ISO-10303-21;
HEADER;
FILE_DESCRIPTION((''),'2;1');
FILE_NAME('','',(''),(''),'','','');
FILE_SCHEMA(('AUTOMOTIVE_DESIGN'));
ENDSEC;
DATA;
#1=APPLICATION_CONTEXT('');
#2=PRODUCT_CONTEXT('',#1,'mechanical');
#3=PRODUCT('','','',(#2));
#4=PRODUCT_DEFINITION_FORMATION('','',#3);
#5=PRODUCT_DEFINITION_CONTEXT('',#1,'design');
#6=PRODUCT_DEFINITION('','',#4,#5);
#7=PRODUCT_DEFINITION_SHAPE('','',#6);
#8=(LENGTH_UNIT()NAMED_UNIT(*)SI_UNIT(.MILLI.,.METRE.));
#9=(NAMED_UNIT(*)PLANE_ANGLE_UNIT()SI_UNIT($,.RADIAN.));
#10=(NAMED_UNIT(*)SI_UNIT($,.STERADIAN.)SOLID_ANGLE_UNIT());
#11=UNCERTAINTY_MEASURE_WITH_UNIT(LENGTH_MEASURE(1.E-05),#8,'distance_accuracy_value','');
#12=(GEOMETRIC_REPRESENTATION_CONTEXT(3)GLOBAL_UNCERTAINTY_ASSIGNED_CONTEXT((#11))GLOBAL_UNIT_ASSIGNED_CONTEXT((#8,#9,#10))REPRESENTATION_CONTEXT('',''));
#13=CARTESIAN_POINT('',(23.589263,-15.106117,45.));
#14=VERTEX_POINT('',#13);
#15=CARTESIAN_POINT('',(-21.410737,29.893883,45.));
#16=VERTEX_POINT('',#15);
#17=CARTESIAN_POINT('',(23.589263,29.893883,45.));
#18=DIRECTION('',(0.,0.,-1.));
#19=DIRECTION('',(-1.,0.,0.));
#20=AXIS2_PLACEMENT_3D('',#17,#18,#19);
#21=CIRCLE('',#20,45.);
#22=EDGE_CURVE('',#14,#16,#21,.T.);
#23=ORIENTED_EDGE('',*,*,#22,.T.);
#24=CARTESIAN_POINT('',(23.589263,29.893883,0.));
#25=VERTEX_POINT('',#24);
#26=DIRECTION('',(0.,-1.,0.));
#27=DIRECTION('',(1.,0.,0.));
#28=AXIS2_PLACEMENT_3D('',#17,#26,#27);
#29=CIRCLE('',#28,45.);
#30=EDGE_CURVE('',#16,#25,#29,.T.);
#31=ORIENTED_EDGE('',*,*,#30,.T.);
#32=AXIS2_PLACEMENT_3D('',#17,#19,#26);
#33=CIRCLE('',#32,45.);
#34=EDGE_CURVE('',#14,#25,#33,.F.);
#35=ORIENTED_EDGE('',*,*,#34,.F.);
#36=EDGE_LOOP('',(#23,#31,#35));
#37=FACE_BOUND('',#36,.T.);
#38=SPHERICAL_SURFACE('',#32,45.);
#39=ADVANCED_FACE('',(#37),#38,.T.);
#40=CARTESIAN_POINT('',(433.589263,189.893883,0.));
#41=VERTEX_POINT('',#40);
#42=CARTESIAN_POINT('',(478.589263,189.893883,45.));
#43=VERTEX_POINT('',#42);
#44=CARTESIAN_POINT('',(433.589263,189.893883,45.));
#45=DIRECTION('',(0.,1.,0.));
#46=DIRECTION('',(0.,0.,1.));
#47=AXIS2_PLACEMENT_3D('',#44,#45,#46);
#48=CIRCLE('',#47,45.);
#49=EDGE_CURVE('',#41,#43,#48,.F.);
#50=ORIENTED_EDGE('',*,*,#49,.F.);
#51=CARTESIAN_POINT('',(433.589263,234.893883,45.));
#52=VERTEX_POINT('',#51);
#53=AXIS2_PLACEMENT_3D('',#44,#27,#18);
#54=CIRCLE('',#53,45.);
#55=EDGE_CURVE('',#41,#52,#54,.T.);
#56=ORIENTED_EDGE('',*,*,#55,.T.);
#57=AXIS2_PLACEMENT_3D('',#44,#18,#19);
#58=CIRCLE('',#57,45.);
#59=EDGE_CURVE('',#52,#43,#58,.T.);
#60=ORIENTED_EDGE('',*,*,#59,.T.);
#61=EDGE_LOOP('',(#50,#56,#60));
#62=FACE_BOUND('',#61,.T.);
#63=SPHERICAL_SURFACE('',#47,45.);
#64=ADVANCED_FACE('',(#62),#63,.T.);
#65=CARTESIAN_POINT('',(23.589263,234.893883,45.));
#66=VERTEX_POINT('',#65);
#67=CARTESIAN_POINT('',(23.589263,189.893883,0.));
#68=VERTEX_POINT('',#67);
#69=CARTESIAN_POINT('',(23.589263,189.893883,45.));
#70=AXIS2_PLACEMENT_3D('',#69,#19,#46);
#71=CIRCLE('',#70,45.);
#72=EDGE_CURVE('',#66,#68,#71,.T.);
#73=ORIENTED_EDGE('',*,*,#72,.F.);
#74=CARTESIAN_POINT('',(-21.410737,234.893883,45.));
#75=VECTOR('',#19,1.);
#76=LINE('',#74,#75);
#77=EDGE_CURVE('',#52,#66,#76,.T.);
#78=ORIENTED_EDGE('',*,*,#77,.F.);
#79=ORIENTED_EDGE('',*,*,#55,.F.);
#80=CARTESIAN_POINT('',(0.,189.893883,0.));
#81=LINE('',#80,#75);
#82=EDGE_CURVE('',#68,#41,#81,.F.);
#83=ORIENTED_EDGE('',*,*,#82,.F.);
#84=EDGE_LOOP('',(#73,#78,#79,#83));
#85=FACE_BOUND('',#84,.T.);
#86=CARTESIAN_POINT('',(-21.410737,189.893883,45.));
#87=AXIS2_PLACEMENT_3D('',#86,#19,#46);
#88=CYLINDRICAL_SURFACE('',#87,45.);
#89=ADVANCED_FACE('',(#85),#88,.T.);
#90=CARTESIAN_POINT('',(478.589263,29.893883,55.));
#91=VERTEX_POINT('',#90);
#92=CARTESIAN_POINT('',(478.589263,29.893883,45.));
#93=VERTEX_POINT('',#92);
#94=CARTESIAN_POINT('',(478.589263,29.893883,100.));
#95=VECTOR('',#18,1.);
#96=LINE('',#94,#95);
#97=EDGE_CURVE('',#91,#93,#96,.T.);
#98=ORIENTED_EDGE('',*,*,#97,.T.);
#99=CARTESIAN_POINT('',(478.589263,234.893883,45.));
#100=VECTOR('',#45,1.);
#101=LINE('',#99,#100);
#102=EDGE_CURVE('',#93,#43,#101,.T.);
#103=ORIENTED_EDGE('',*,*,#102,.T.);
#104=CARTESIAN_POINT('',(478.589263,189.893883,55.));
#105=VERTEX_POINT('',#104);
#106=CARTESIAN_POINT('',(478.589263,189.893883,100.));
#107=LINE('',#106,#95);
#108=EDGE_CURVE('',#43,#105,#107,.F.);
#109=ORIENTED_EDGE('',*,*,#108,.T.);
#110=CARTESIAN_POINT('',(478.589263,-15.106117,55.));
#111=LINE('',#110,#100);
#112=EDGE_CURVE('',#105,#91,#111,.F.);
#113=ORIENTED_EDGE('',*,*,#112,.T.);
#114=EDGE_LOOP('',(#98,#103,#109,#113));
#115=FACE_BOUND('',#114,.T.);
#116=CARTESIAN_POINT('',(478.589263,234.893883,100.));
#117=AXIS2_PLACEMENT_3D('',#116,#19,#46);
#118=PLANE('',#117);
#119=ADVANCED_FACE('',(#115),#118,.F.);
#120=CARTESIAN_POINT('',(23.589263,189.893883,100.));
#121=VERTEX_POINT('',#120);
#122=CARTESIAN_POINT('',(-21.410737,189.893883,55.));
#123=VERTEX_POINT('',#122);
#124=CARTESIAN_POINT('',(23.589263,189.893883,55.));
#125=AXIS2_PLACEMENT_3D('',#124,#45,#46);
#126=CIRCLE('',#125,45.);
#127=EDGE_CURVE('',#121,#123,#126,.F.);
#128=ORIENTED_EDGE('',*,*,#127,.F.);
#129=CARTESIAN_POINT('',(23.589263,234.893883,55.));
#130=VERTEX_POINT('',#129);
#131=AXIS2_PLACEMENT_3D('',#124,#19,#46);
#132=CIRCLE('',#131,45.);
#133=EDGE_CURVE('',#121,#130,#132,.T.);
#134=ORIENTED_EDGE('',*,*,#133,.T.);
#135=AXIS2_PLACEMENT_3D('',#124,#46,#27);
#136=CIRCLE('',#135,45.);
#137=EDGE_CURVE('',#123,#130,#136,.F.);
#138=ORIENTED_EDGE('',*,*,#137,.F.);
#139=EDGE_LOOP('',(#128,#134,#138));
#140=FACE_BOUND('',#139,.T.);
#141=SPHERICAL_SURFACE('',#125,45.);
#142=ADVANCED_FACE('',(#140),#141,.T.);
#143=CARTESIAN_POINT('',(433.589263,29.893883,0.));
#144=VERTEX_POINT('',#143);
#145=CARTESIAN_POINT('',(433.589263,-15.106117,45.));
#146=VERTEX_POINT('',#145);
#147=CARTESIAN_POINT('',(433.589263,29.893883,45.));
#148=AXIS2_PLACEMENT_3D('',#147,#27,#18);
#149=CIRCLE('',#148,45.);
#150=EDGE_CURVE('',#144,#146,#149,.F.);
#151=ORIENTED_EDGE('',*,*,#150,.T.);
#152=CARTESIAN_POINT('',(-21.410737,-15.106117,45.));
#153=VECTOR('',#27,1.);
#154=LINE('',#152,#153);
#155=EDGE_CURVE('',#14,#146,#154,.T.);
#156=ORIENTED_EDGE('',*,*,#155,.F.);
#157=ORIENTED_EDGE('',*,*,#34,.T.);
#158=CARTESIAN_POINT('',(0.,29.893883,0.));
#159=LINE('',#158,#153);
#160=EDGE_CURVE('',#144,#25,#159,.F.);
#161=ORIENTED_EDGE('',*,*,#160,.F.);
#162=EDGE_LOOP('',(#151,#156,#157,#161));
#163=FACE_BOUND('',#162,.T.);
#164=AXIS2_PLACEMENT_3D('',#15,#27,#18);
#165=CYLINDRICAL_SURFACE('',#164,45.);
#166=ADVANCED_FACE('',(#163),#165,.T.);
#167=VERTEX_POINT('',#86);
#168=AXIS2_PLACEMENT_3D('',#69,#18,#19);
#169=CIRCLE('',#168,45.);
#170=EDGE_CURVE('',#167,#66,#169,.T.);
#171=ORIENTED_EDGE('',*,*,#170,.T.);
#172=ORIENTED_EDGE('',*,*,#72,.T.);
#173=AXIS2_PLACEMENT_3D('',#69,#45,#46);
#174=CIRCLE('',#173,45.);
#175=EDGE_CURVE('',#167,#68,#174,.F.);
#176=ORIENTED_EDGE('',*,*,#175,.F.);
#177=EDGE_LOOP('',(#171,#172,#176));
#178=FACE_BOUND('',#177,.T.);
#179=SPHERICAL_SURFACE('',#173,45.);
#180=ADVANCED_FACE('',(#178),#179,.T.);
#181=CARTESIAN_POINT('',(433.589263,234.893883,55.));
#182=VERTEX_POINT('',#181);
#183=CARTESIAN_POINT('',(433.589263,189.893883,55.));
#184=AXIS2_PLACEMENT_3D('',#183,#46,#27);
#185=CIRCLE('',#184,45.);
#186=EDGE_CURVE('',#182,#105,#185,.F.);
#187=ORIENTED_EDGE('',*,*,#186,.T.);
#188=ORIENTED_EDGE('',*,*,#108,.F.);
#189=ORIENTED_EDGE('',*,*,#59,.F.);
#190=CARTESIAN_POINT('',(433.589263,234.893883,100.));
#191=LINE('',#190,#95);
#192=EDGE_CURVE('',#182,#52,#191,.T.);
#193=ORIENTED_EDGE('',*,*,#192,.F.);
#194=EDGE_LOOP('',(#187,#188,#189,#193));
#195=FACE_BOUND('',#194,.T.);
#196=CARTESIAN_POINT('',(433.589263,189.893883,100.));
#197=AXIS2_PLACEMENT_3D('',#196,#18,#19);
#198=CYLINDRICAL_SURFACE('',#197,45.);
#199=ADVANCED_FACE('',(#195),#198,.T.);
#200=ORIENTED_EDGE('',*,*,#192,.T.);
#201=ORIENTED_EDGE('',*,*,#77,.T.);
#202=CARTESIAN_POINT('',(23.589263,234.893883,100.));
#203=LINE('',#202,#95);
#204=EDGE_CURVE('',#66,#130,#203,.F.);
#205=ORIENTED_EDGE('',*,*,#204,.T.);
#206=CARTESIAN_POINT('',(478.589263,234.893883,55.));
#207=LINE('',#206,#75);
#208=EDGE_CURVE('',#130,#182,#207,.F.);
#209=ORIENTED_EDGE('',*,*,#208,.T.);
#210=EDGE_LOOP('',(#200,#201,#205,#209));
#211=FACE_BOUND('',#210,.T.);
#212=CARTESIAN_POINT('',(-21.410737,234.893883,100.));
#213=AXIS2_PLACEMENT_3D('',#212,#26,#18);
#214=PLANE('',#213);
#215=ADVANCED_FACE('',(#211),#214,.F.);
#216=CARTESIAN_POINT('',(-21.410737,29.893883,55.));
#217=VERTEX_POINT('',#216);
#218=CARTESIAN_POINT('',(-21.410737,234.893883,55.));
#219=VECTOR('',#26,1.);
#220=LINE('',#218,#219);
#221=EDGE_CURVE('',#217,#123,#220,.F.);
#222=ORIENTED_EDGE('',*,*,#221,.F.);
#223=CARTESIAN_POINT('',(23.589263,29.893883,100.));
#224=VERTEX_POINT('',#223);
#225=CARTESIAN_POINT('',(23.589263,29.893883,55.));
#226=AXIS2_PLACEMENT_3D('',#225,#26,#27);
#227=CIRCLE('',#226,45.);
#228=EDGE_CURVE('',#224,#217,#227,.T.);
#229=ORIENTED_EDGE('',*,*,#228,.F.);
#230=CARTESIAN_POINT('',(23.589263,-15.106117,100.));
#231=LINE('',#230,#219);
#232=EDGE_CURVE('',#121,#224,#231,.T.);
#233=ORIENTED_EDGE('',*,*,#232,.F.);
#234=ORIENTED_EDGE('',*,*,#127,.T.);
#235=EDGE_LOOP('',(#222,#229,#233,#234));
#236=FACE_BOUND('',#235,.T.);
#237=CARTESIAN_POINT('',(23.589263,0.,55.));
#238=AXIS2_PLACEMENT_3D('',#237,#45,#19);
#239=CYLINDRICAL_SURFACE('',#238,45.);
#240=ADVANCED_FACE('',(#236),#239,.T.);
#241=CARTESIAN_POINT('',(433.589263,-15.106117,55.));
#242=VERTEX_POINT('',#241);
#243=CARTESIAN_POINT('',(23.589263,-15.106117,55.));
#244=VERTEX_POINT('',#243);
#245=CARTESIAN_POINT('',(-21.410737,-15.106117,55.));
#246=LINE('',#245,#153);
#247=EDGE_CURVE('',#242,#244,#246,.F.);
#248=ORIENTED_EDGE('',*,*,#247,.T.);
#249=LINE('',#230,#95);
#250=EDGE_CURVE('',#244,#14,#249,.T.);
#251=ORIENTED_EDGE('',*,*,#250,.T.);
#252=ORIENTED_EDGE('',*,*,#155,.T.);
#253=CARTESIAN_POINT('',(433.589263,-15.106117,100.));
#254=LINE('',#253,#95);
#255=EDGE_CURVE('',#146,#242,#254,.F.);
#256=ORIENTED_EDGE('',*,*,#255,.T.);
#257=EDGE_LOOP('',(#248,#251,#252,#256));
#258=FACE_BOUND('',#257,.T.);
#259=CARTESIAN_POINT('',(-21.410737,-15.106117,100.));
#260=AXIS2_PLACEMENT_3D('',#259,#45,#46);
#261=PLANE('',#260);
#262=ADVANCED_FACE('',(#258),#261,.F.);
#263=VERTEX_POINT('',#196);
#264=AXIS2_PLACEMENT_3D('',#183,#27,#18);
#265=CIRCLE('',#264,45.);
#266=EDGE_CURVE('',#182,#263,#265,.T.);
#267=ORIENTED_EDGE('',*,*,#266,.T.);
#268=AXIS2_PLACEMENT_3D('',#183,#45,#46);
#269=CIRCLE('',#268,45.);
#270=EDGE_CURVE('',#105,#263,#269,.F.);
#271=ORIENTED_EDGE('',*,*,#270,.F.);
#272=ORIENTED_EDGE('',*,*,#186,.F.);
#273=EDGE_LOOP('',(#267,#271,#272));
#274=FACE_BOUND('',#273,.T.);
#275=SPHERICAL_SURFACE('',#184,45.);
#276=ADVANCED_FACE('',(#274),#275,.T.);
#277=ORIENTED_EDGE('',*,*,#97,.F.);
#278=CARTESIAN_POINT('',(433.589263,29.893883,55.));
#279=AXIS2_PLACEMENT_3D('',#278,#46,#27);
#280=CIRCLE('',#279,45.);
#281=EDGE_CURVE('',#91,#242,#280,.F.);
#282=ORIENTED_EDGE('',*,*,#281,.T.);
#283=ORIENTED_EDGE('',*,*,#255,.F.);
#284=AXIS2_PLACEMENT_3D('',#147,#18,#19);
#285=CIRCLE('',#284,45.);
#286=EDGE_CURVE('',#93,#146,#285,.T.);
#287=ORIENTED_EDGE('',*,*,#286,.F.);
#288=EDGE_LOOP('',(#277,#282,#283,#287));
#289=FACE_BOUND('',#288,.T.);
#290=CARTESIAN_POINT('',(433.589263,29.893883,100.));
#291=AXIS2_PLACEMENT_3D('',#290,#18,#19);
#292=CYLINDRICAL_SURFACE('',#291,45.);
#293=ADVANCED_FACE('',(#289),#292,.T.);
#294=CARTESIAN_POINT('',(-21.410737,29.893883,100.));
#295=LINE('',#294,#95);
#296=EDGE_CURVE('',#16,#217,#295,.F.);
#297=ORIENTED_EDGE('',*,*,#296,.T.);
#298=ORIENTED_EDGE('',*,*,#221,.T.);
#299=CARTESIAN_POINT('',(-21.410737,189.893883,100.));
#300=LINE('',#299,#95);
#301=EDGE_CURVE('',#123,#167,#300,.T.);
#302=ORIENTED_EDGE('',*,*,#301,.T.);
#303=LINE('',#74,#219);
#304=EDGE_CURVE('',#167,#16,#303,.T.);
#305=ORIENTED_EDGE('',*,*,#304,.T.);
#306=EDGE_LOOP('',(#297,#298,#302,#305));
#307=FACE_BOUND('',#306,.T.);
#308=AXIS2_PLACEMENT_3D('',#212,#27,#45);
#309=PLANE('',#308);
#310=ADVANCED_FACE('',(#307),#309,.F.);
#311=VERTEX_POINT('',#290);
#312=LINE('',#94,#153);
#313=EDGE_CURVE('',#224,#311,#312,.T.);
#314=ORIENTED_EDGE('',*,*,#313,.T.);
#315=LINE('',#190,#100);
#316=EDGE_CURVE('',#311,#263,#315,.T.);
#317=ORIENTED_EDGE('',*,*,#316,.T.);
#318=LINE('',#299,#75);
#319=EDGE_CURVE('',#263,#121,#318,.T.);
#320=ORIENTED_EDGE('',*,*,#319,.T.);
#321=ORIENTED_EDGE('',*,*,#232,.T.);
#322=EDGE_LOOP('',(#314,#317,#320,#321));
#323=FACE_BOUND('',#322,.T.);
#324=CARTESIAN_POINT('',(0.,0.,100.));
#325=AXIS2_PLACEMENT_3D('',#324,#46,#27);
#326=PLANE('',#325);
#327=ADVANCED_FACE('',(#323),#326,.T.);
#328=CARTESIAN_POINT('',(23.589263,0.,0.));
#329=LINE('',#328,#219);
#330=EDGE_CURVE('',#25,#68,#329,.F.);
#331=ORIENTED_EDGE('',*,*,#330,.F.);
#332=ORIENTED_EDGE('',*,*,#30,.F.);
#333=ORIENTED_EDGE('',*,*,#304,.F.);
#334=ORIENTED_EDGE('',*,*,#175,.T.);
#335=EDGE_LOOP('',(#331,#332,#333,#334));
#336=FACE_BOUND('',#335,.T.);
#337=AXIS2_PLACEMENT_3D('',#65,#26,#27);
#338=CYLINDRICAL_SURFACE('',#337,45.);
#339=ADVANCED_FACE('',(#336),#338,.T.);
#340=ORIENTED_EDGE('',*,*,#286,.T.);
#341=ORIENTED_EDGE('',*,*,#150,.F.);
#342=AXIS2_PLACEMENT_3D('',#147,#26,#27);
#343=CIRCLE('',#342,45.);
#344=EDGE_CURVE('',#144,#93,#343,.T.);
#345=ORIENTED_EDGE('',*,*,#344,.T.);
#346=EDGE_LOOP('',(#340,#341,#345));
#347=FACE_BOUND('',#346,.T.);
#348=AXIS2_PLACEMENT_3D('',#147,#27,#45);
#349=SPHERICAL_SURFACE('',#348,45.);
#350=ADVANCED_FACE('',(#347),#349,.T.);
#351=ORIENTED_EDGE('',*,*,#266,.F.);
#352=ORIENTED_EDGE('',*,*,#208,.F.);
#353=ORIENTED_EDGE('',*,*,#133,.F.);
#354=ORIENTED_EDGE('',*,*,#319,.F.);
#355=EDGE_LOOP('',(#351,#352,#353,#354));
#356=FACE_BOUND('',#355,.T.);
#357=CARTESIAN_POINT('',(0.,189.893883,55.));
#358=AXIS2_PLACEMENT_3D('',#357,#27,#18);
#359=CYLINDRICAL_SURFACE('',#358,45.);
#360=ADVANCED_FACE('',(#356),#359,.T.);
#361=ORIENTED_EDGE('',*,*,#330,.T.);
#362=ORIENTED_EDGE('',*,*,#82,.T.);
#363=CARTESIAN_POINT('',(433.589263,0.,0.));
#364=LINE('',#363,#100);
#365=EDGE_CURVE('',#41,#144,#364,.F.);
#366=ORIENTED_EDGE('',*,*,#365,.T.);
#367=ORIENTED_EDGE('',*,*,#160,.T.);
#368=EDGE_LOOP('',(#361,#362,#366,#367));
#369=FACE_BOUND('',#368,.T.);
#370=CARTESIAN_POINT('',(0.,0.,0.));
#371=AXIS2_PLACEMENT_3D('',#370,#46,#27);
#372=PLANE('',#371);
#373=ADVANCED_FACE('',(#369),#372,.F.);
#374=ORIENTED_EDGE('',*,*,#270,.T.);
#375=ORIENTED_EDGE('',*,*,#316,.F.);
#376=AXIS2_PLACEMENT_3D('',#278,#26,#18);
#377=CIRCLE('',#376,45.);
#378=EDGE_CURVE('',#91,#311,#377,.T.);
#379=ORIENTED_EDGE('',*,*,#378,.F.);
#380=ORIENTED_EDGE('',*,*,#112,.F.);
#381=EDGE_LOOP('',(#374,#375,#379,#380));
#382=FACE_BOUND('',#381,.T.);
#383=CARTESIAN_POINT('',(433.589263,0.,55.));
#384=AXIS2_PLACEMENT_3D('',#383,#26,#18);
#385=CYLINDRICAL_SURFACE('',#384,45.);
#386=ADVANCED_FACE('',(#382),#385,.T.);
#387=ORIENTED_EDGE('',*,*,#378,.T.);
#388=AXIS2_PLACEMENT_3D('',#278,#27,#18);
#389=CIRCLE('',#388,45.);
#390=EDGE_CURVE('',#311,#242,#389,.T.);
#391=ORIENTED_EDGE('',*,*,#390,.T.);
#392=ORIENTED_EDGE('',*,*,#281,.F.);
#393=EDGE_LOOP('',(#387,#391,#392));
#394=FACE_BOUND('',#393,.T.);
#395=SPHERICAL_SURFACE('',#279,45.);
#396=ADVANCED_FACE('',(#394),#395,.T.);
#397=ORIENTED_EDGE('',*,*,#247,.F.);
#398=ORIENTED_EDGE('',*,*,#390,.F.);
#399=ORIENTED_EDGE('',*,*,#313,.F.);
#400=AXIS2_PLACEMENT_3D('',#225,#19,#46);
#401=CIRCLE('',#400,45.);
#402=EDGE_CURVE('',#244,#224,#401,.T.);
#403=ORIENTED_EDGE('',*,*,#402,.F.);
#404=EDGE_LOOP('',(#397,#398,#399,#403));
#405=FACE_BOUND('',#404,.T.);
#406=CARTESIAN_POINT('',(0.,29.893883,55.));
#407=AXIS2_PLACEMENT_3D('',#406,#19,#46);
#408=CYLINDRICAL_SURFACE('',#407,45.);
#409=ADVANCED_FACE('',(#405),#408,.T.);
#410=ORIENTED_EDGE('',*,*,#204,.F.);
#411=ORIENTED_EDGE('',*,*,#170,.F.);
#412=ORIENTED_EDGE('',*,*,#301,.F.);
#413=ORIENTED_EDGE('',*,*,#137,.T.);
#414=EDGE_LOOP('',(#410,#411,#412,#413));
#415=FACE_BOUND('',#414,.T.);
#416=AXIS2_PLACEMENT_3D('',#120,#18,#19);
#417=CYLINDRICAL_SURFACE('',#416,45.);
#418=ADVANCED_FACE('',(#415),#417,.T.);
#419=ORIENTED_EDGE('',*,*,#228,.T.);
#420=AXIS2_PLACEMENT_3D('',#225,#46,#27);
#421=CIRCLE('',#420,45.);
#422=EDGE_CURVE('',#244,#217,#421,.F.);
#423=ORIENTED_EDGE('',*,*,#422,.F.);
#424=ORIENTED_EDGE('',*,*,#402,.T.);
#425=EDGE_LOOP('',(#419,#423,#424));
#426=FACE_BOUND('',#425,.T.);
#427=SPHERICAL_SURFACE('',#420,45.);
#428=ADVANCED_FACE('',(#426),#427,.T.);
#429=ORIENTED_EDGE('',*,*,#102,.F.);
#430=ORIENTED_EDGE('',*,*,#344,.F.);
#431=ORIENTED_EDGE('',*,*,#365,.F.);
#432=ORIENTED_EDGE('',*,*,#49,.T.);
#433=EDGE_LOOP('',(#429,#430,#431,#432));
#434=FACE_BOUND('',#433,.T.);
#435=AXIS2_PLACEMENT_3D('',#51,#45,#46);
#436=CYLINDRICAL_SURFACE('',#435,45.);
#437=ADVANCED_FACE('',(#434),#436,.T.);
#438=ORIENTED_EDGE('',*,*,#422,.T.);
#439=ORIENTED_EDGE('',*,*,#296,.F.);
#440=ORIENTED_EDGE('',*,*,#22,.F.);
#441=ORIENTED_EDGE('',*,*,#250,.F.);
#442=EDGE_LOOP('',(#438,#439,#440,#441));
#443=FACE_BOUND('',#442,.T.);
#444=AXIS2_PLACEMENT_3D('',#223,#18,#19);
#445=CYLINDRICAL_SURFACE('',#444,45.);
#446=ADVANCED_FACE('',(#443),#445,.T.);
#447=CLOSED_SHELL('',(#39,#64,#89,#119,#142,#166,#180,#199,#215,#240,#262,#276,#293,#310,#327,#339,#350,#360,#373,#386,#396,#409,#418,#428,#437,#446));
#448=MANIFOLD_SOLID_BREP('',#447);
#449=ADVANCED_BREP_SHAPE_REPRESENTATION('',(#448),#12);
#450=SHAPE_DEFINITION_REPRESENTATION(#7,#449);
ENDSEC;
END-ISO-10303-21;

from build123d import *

# Parameters (mm, degrees)
SKETCH1_W           = 500
SKETCH1_H           = 250
BOSS_EXTRUDE1_DEPTH = 100
FILLET1_R           = 45


with BuildPart() as part:
    # Sketch1 → Boss-Extrude1 (new body)
    with BuildSketch(Plane.XY):
        with Locations((228.589263421, 109.893882647)):
            Rectangle(SKETCH1_W, SKETCH1_H)
    extrude(amount=BOSS_EXTRUDE1_DEPTH)

    # Fillet1
    fillet1_edges = [part.edges().sort_by_distance(p)[0] for p in [
        (478.589263421, 109.893882647, 100),
        (228.589263421, 234.893882647, 100),
        (-21.410736579, 109.893882647, 100),
        (228.589263421, 234.893882647, 0),
        (478.589263421, 109.893882647, 0),
        (228.589263421, -15.106117353, 0),
        (-21.410736579, 109.893882647, 0),
        (-21.410736579, 234.893882647, 50),
        (478.589263421, 234.893882647, 50),
        (478.589263421, -15.106117353, 50),
        (-21.410736579, -15.106117353, 50),
        (228.589263421, -15.106117353, 100),
    ]]
    fillet(fillet1_edges, radius=FILLET1_R)


solid = part.part
